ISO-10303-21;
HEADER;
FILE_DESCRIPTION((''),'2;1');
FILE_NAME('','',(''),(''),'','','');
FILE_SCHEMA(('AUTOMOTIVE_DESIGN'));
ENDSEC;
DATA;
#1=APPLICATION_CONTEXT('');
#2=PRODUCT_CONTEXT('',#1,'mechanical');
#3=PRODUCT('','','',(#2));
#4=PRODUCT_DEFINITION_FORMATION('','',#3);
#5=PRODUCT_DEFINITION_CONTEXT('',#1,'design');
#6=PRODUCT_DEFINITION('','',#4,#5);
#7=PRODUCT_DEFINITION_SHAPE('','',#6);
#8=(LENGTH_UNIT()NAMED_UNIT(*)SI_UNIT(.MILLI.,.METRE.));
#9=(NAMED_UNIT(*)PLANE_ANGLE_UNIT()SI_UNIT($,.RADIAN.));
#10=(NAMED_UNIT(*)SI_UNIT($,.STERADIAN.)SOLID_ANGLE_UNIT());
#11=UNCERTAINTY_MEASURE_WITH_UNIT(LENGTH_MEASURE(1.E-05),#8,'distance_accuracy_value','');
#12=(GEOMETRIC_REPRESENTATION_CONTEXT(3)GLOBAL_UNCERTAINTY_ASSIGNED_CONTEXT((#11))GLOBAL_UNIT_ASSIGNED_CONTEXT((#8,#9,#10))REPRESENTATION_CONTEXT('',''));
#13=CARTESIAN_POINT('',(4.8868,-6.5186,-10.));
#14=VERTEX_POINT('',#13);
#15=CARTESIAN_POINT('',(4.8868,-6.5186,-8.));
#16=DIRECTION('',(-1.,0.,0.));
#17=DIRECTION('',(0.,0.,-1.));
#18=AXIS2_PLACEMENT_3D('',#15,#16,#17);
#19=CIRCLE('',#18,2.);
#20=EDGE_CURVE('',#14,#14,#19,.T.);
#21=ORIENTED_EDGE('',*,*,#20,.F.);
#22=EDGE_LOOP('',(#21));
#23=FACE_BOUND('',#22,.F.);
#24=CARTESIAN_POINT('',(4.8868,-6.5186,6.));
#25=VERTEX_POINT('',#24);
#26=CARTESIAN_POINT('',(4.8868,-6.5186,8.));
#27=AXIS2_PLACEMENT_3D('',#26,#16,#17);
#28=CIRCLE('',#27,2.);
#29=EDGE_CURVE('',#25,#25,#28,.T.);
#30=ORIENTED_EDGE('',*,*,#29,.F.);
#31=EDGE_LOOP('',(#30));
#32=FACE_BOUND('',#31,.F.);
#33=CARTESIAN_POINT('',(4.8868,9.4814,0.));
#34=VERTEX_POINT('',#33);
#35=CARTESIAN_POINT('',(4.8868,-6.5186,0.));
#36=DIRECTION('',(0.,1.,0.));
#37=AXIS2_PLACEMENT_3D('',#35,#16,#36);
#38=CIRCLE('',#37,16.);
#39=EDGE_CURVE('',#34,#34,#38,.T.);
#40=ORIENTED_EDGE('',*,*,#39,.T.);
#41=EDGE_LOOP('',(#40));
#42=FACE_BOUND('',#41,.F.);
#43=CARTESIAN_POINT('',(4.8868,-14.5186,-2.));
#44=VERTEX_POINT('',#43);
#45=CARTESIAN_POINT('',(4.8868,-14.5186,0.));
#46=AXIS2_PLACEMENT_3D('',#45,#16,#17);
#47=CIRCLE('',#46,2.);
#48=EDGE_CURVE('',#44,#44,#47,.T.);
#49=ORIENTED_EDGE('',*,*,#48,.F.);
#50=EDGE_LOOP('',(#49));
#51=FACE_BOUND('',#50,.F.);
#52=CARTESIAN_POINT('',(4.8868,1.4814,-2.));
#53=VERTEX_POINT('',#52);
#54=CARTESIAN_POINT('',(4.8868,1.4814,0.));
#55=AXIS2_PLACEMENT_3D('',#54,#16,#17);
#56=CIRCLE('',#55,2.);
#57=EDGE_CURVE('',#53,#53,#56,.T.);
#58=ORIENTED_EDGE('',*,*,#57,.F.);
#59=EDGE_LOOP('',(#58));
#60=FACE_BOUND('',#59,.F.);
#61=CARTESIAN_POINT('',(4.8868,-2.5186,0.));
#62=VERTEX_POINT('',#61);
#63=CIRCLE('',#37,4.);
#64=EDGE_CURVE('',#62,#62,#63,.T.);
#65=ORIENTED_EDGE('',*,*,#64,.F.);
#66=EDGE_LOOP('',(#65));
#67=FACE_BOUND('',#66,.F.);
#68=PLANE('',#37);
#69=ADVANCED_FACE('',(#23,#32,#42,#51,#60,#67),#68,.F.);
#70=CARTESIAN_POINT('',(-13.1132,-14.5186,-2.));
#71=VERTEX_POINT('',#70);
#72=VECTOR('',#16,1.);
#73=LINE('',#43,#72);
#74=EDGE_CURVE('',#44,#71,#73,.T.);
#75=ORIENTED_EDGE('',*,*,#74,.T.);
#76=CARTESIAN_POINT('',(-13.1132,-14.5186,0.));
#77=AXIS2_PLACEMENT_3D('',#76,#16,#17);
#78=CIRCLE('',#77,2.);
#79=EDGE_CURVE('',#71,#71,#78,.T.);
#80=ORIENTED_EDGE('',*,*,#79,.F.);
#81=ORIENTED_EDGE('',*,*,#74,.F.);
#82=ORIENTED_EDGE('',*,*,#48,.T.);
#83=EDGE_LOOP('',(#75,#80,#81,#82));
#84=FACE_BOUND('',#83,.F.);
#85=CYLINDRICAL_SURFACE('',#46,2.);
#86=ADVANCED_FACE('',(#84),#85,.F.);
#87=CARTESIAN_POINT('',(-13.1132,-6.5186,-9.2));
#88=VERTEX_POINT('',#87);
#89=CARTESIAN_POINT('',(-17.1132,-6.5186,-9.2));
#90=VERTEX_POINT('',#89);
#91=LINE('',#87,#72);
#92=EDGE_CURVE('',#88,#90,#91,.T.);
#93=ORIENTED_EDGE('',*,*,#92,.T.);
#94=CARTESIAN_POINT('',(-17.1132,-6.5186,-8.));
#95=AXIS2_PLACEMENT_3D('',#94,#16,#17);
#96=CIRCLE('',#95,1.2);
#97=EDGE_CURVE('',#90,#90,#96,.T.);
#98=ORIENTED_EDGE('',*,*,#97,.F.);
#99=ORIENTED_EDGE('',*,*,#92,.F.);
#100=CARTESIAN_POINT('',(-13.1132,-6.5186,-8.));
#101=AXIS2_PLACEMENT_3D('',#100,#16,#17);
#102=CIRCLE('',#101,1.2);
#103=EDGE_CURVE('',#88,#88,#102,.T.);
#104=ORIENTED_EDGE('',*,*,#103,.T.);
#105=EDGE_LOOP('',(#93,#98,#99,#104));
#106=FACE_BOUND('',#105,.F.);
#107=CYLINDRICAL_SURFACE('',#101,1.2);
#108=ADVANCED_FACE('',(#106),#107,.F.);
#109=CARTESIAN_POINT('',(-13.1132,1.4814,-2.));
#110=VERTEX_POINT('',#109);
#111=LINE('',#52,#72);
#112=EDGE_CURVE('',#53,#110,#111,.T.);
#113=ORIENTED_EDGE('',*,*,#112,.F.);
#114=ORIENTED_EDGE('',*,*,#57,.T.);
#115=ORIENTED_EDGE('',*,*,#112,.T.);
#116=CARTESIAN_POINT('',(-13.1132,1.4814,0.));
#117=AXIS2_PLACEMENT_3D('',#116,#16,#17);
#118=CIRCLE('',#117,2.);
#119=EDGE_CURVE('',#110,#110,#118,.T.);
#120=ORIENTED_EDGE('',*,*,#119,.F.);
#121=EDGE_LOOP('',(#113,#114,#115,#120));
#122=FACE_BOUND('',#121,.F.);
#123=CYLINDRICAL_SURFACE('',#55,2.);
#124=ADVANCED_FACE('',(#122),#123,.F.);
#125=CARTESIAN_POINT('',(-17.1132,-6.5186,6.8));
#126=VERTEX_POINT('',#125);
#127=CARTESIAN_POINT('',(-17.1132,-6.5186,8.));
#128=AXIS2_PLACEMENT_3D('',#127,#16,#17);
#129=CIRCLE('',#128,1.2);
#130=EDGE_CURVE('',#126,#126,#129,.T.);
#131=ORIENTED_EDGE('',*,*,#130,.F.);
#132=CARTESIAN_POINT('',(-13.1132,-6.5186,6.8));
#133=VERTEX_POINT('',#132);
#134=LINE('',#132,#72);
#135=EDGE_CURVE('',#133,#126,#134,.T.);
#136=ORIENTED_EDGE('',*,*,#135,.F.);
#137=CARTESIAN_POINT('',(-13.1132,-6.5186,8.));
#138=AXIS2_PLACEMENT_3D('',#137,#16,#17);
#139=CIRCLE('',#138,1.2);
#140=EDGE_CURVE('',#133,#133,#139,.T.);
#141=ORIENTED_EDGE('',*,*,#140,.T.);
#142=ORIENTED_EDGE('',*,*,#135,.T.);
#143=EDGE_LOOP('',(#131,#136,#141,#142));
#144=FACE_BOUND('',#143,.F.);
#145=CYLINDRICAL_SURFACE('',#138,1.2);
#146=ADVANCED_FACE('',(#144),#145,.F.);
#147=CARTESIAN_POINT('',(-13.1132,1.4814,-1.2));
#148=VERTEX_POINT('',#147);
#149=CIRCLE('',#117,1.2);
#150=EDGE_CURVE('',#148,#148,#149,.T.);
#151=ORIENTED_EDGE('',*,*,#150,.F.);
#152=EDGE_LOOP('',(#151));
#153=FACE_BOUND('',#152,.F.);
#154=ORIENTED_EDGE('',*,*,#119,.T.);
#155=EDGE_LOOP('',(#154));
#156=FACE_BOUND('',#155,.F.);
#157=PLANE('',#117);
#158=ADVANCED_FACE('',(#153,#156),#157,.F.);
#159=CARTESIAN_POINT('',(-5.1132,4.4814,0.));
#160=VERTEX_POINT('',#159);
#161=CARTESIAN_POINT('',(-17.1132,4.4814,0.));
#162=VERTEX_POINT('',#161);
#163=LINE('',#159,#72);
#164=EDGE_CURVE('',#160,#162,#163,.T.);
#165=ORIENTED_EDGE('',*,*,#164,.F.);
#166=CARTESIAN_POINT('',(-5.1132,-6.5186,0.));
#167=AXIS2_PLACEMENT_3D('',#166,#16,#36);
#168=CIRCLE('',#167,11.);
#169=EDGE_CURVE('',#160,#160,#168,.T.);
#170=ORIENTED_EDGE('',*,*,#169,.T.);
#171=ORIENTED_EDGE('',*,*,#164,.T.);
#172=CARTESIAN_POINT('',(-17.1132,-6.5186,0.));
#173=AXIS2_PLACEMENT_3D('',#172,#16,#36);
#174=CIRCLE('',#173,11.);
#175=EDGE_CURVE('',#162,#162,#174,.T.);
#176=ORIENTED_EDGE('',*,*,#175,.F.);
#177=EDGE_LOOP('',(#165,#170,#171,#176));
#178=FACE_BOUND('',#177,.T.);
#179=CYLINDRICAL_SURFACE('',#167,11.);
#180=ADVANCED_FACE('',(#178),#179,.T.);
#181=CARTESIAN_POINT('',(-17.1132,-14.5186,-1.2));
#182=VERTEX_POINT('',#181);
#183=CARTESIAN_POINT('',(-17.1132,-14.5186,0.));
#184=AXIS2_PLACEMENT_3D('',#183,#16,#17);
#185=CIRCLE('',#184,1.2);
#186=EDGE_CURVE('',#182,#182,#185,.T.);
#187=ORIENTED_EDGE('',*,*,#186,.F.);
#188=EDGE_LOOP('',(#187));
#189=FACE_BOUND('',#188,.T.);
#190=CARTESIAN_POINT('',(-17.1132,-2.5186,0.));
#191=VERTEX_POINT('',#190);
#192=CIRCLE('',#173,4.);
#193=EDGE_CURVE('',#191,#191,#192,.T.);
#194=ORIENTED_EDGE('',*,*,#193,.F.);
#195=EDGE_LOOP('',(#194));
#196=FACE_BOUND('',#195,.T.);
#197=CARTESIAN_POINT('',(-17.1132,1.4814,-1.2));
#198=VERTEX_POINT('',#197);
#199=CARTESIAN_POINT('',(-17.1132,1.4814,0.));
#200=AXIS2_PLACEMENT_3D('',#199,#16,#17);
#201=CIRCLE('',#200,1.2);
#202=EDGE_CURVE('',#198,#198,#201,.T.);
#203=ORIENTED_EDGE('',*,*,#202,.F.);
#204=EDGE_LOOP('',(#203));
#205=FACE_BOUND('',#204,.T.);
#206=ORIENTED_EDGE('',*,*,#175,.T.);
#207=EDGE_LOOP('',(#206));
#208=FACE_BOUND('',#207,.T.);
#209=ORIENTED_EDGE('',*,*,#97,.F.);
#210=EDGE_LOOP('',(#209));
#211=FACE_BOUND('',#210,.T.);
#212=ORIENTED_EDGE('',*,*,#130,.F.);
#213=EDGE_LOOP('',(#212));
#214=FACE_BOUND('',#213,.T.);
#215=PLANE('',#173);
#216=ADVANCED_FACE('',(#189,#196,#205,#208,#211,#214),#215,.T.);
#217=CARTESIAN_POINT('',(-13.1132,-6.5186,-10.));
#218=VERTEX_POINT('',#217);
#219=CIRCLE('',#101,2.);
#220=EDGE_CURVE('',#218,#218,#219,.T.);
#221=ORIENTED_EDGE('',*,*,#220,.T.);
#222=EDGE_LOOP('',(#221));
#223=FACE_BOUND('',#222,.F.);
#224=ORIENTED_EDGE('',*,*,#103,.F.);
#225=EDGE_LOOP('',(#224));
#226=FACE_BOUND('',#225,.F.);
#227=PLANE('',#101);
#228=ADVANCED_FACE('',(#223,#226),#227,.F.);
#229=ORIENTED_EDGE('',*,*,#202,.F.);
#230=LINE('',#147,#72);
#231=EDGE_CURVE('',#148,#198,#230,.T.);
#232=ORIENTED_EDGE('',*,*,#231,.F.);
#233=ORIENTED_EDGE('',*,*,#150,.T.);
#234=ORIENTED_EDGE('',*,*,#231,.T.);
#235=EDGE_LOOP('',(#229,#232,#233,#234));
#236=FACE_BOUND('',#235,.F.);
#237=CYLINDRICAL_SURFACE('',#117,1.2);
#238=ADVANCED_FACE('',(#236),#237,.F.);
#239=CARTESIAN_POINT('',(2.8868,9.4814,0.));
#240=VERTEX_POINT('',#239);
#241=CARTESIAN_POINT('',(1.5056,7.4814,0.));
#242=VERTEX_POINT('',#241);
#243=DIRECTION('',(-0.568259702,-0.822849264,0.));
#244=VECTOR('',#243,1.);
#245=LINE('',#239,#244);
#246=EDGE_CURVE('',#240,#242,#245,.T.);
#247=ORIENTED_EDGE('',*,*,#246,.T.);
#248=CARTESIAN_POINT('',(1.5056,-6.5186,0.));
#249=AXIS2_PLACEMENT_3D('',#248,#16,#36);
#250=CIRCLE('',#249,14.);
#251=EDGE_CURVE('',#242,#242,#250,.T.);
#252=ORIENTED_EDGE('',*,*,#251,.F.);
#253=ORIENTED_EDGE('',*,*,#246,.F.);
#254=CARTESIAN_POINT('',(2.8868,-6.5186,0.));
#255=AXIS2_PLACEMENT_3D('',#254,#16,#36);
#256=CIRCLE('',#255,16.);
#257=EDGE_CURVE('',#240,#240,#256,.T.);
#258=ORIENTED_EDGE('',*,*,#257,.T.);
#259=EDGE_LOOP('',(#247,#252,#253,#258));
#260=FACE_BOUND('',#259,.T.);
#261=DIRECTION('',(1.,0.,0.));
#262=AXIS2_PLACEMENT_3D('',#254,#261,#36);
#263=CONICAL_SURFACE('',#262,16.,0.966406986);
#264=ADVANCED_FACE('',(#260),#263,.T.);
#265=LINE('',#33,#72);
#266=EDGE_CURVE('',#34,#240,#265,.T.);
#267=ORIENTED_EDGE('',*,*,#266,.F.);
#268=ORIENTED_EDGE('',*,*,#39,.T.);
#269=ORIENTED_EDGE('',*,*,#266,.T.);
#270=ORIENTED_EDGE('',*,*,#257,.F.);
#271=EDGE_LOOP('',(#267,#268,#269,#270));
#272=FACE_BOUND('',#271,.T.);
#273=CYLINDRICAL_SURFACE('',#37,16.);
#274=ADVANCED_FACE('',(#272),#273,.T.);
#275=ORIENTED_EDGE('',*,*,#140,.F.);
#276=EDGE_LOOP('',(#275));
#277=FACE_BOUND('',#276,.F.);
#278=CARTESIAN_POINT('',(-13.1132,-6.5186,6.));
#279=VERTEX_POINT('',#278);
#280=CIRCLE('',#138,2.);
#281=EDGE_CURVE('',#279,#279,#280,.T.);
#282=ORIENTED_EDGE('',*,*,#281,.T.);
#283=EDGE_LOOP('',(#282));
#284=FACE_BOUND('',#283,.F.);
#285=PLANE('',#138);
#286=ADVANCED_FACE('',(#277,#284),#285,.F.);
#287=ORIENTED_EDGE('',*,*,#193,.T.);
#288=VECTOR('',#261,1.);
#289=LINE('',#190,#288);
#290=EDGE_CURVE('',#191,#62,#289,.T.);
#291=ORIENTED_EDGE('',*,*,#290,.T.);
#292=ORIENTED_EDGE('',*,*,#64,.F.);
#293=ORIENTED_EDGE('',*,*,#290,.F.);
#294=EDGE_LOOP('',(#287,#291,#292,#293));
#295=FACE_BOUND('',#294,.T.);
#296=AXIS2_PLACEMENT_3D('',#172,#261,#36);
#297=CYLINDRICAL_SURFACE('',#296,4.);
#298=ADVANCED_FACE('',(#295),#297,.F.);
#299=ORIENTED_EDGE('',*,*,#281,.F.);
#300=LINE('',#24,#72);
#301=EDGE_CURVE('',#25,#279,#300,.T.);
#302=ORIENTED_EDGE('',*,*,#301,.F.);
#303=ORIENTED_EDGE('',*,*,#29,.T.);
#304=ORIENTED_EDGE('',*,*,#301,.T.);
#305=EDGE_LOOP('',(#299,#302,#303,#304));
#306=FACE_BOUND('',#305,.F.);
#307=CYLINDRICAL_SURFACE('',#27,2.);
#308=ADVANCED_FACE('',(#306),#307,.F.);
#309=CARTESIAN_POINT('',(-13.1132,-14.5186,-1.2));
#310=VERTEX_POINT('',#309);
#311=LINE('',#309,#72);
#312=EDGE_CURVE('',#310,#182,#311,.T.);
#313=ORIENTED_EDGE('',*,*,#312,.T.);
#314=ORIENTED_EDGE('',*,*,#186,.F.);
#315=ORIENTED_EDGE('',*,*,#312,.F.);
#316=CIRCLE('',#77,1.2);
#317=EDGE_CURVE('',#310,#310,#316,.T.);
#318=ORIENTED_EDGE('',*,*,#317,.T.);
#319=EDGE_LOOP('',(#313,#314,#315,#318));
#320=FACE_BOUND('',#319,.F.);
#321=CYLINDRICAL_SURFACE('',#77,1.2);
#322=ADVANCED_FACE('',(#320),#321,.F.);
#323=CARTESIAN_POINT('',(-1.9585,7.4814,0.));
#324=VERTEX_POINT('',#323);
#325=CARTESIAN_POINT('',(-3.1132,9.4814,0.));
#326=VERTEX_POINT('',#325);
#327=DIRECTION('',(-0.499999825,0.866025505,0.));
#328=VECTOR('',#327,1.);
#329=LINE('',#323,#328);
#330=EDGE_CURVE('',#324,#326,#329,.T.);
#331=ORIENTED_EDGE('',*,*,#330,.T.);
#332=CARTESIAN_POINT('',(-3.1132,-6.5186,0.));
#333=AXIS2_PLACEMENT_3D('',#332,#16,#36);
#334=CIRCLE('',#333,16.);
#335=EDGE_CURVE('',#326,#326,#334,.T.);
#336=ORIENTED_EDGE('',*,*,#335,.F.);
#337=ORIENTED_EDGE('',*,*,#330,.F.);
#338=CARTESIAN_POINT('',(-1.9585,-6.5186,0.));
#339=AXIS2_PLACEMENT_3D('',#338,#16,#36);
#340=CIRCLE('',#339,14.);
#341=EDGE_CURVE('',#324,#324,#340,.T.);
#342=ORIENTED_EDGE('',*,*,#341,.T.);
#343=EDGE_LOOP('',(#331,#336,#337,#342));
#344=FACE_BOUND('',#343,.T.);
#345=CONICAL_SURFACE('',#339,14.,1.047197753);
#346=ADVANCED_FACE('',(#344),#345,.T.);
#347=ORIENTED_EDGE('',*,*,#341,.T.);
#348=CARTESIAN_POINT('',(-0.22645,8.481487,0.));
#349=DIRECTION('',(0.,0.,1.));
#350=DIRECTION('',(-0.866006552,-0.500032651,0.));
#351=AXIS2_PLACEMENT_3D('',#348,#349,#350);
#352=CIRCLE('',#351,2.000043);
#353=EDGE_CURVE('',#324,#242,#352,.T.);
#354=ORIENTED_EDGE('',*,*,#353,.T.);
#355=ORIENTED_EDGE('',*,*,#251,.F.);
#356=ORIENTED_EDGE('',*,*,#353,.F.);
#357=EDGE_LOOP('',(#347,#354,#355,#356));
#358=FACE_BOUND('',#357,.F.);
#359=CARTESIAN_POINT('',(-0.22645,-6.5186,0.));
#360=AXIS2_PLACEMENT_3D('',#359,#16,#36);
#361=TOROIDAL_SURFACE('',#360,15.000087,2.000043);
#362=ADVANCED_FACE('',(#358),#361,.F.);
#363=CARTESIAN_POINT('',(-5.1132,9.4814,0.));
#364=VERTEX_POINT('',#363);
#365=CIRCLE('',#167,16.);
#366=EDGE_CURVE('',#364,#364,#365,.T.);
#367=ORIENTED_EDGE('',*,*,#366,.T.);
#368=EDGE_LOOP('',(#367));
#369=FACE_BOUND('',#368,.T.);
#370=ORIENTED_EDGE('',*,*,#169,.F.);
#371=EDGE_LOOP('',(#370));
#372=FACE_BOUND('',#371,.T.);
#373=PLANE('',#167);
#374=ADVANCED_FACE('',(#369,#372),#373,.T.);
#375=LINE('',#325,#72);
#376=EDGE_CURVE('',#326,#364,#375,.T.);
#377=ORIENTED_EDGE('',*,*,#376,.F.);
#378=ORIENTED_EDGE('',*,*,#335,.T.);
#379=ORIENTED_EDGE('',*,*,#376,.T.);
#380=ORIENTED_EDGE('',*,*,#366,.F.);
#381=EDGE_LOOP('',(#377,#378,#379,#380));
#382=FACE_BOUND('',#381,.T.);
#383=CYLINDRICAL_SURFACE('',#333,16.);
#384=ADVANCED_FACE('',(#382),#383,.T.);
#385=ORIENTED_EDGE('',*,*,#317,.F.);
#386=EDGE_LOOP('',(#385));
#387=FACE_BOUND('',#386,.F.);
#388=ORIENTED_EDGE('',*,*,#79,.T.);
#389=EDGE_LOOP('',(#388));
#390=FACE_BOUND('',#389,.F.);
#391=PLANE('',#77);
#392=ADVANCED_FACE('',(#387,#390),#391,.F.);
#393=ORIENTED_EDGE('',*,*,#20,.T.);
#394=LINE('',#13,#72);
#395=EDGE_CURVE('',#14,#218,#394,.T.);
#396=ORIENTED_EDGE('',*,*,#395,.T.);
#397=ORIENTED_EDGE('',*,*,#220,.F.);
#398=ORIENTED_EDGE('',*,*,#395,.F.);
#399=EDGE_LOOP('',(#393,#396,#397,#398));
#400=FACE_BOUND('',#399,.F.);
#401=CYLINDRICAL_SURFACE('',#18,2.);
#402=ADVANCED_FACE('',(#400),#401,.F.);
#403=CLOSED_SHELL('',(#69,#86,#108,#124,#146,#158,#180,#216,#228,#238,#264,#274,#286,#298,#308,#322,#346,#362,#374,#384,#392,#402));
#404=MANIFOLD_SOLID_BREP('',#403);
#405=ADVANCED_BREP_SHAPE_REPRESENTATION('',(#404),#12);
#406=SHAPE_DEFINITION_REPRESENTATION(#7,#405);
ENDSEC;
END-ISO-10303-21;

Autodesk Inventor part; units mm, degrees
ref_plane "YZ Plane" through (0, 0, 0) normal (1, 0, 0) x (0, 1, 0)
ref_plane "XZ Plane" through (0, 0, 0) normal (0, 1, 0) x (-1, 0, 0)
ref_plane "XY Plane" through (0, 0, 0) normal (0, 0, 1) x (1, 0, 0)
sketch "Sketch1" plane through (0, 0, 0) normal (0, 0, 1) x (1, 0, 0)
  line L0 (4.9734, -6.5186) -> (-5.17, -6.5186) construction
  line L1 (-5.1132, 9.4814) -> (-5.1132, 4.4814)
  line L2 (-5.1132, -2.5186) -> (4.8868, -2.5186)
  line L3 (4.8868, 9.4814) -> (2.8868, 9.4814)
  line L4 (2.8868, 9.4814) -> (1.5056, 7.4814)
  arc A0 (-1.9585, 7.4814) -> (1.5056, 7.4814) centre (-0.2265, 8.4814) ccw
  line L5 (-1.9585, 7.4814) -> (-3.1132, 9.4814)
  line L6 (-3.1132, 9.4814) -> (-5.1132, 9.4814)
  line L7 (4.8868, 9.4814) -> (4.8868, -2.5186)
  line L8 (-5.1132, 4.4814) -> (-17.1132, 4.4814)
  line L9 (-17.1132, 4.4814) -> (-17.1132, -2.5186)
  line L10 (-17.1132, -2.5186) -> (-5.1132, -2.5186)
  dimension "d28" = 2
  dimension "d29" = 120
  dimension "d30" = 12
  dimension "d31" = 10
  dimension "d32" = 4
  dimension "d33" = 2
  dimension "d34" = 2
  dimension "d35" = 2
  dimension "d36" = 2
  dimension "d45" = 12
  dimension "d48" = 11
revolve "Revolution1" add sketch "Sketch1" angle 360 about axis through (4.9734, -6.5186, 0) along (-1, 0, 0)
sketch "Sketch3" plane through (4.8868, -6.5186, 0) normal (1, 0, 0) x (0, 0, -1)
  circle A0 centre (0, 0) radius 4 projected
  line L0 (0, 0) -> (-8, 0) construction
  point P0 (0, 6.5186)
  point P1 (0, -8)
  point P2 (8, 0)
  point P3 (0, 8)
  dimension "d49" = 8
  dimension "d52" = 360
hole "Hole2" at (4.8868, -6.5186, 0) at (4.8868, -6.5186, 8) at (4.8868, -14.5186, 0) at (4.8868, -6.5186, -8) at (4.8868, 1.4814, 0) direction (-1, 0, 0) diameter 2.4 end through all counterbore diameter 4 counterbore depth 18
properties part number "motor_trinse"
